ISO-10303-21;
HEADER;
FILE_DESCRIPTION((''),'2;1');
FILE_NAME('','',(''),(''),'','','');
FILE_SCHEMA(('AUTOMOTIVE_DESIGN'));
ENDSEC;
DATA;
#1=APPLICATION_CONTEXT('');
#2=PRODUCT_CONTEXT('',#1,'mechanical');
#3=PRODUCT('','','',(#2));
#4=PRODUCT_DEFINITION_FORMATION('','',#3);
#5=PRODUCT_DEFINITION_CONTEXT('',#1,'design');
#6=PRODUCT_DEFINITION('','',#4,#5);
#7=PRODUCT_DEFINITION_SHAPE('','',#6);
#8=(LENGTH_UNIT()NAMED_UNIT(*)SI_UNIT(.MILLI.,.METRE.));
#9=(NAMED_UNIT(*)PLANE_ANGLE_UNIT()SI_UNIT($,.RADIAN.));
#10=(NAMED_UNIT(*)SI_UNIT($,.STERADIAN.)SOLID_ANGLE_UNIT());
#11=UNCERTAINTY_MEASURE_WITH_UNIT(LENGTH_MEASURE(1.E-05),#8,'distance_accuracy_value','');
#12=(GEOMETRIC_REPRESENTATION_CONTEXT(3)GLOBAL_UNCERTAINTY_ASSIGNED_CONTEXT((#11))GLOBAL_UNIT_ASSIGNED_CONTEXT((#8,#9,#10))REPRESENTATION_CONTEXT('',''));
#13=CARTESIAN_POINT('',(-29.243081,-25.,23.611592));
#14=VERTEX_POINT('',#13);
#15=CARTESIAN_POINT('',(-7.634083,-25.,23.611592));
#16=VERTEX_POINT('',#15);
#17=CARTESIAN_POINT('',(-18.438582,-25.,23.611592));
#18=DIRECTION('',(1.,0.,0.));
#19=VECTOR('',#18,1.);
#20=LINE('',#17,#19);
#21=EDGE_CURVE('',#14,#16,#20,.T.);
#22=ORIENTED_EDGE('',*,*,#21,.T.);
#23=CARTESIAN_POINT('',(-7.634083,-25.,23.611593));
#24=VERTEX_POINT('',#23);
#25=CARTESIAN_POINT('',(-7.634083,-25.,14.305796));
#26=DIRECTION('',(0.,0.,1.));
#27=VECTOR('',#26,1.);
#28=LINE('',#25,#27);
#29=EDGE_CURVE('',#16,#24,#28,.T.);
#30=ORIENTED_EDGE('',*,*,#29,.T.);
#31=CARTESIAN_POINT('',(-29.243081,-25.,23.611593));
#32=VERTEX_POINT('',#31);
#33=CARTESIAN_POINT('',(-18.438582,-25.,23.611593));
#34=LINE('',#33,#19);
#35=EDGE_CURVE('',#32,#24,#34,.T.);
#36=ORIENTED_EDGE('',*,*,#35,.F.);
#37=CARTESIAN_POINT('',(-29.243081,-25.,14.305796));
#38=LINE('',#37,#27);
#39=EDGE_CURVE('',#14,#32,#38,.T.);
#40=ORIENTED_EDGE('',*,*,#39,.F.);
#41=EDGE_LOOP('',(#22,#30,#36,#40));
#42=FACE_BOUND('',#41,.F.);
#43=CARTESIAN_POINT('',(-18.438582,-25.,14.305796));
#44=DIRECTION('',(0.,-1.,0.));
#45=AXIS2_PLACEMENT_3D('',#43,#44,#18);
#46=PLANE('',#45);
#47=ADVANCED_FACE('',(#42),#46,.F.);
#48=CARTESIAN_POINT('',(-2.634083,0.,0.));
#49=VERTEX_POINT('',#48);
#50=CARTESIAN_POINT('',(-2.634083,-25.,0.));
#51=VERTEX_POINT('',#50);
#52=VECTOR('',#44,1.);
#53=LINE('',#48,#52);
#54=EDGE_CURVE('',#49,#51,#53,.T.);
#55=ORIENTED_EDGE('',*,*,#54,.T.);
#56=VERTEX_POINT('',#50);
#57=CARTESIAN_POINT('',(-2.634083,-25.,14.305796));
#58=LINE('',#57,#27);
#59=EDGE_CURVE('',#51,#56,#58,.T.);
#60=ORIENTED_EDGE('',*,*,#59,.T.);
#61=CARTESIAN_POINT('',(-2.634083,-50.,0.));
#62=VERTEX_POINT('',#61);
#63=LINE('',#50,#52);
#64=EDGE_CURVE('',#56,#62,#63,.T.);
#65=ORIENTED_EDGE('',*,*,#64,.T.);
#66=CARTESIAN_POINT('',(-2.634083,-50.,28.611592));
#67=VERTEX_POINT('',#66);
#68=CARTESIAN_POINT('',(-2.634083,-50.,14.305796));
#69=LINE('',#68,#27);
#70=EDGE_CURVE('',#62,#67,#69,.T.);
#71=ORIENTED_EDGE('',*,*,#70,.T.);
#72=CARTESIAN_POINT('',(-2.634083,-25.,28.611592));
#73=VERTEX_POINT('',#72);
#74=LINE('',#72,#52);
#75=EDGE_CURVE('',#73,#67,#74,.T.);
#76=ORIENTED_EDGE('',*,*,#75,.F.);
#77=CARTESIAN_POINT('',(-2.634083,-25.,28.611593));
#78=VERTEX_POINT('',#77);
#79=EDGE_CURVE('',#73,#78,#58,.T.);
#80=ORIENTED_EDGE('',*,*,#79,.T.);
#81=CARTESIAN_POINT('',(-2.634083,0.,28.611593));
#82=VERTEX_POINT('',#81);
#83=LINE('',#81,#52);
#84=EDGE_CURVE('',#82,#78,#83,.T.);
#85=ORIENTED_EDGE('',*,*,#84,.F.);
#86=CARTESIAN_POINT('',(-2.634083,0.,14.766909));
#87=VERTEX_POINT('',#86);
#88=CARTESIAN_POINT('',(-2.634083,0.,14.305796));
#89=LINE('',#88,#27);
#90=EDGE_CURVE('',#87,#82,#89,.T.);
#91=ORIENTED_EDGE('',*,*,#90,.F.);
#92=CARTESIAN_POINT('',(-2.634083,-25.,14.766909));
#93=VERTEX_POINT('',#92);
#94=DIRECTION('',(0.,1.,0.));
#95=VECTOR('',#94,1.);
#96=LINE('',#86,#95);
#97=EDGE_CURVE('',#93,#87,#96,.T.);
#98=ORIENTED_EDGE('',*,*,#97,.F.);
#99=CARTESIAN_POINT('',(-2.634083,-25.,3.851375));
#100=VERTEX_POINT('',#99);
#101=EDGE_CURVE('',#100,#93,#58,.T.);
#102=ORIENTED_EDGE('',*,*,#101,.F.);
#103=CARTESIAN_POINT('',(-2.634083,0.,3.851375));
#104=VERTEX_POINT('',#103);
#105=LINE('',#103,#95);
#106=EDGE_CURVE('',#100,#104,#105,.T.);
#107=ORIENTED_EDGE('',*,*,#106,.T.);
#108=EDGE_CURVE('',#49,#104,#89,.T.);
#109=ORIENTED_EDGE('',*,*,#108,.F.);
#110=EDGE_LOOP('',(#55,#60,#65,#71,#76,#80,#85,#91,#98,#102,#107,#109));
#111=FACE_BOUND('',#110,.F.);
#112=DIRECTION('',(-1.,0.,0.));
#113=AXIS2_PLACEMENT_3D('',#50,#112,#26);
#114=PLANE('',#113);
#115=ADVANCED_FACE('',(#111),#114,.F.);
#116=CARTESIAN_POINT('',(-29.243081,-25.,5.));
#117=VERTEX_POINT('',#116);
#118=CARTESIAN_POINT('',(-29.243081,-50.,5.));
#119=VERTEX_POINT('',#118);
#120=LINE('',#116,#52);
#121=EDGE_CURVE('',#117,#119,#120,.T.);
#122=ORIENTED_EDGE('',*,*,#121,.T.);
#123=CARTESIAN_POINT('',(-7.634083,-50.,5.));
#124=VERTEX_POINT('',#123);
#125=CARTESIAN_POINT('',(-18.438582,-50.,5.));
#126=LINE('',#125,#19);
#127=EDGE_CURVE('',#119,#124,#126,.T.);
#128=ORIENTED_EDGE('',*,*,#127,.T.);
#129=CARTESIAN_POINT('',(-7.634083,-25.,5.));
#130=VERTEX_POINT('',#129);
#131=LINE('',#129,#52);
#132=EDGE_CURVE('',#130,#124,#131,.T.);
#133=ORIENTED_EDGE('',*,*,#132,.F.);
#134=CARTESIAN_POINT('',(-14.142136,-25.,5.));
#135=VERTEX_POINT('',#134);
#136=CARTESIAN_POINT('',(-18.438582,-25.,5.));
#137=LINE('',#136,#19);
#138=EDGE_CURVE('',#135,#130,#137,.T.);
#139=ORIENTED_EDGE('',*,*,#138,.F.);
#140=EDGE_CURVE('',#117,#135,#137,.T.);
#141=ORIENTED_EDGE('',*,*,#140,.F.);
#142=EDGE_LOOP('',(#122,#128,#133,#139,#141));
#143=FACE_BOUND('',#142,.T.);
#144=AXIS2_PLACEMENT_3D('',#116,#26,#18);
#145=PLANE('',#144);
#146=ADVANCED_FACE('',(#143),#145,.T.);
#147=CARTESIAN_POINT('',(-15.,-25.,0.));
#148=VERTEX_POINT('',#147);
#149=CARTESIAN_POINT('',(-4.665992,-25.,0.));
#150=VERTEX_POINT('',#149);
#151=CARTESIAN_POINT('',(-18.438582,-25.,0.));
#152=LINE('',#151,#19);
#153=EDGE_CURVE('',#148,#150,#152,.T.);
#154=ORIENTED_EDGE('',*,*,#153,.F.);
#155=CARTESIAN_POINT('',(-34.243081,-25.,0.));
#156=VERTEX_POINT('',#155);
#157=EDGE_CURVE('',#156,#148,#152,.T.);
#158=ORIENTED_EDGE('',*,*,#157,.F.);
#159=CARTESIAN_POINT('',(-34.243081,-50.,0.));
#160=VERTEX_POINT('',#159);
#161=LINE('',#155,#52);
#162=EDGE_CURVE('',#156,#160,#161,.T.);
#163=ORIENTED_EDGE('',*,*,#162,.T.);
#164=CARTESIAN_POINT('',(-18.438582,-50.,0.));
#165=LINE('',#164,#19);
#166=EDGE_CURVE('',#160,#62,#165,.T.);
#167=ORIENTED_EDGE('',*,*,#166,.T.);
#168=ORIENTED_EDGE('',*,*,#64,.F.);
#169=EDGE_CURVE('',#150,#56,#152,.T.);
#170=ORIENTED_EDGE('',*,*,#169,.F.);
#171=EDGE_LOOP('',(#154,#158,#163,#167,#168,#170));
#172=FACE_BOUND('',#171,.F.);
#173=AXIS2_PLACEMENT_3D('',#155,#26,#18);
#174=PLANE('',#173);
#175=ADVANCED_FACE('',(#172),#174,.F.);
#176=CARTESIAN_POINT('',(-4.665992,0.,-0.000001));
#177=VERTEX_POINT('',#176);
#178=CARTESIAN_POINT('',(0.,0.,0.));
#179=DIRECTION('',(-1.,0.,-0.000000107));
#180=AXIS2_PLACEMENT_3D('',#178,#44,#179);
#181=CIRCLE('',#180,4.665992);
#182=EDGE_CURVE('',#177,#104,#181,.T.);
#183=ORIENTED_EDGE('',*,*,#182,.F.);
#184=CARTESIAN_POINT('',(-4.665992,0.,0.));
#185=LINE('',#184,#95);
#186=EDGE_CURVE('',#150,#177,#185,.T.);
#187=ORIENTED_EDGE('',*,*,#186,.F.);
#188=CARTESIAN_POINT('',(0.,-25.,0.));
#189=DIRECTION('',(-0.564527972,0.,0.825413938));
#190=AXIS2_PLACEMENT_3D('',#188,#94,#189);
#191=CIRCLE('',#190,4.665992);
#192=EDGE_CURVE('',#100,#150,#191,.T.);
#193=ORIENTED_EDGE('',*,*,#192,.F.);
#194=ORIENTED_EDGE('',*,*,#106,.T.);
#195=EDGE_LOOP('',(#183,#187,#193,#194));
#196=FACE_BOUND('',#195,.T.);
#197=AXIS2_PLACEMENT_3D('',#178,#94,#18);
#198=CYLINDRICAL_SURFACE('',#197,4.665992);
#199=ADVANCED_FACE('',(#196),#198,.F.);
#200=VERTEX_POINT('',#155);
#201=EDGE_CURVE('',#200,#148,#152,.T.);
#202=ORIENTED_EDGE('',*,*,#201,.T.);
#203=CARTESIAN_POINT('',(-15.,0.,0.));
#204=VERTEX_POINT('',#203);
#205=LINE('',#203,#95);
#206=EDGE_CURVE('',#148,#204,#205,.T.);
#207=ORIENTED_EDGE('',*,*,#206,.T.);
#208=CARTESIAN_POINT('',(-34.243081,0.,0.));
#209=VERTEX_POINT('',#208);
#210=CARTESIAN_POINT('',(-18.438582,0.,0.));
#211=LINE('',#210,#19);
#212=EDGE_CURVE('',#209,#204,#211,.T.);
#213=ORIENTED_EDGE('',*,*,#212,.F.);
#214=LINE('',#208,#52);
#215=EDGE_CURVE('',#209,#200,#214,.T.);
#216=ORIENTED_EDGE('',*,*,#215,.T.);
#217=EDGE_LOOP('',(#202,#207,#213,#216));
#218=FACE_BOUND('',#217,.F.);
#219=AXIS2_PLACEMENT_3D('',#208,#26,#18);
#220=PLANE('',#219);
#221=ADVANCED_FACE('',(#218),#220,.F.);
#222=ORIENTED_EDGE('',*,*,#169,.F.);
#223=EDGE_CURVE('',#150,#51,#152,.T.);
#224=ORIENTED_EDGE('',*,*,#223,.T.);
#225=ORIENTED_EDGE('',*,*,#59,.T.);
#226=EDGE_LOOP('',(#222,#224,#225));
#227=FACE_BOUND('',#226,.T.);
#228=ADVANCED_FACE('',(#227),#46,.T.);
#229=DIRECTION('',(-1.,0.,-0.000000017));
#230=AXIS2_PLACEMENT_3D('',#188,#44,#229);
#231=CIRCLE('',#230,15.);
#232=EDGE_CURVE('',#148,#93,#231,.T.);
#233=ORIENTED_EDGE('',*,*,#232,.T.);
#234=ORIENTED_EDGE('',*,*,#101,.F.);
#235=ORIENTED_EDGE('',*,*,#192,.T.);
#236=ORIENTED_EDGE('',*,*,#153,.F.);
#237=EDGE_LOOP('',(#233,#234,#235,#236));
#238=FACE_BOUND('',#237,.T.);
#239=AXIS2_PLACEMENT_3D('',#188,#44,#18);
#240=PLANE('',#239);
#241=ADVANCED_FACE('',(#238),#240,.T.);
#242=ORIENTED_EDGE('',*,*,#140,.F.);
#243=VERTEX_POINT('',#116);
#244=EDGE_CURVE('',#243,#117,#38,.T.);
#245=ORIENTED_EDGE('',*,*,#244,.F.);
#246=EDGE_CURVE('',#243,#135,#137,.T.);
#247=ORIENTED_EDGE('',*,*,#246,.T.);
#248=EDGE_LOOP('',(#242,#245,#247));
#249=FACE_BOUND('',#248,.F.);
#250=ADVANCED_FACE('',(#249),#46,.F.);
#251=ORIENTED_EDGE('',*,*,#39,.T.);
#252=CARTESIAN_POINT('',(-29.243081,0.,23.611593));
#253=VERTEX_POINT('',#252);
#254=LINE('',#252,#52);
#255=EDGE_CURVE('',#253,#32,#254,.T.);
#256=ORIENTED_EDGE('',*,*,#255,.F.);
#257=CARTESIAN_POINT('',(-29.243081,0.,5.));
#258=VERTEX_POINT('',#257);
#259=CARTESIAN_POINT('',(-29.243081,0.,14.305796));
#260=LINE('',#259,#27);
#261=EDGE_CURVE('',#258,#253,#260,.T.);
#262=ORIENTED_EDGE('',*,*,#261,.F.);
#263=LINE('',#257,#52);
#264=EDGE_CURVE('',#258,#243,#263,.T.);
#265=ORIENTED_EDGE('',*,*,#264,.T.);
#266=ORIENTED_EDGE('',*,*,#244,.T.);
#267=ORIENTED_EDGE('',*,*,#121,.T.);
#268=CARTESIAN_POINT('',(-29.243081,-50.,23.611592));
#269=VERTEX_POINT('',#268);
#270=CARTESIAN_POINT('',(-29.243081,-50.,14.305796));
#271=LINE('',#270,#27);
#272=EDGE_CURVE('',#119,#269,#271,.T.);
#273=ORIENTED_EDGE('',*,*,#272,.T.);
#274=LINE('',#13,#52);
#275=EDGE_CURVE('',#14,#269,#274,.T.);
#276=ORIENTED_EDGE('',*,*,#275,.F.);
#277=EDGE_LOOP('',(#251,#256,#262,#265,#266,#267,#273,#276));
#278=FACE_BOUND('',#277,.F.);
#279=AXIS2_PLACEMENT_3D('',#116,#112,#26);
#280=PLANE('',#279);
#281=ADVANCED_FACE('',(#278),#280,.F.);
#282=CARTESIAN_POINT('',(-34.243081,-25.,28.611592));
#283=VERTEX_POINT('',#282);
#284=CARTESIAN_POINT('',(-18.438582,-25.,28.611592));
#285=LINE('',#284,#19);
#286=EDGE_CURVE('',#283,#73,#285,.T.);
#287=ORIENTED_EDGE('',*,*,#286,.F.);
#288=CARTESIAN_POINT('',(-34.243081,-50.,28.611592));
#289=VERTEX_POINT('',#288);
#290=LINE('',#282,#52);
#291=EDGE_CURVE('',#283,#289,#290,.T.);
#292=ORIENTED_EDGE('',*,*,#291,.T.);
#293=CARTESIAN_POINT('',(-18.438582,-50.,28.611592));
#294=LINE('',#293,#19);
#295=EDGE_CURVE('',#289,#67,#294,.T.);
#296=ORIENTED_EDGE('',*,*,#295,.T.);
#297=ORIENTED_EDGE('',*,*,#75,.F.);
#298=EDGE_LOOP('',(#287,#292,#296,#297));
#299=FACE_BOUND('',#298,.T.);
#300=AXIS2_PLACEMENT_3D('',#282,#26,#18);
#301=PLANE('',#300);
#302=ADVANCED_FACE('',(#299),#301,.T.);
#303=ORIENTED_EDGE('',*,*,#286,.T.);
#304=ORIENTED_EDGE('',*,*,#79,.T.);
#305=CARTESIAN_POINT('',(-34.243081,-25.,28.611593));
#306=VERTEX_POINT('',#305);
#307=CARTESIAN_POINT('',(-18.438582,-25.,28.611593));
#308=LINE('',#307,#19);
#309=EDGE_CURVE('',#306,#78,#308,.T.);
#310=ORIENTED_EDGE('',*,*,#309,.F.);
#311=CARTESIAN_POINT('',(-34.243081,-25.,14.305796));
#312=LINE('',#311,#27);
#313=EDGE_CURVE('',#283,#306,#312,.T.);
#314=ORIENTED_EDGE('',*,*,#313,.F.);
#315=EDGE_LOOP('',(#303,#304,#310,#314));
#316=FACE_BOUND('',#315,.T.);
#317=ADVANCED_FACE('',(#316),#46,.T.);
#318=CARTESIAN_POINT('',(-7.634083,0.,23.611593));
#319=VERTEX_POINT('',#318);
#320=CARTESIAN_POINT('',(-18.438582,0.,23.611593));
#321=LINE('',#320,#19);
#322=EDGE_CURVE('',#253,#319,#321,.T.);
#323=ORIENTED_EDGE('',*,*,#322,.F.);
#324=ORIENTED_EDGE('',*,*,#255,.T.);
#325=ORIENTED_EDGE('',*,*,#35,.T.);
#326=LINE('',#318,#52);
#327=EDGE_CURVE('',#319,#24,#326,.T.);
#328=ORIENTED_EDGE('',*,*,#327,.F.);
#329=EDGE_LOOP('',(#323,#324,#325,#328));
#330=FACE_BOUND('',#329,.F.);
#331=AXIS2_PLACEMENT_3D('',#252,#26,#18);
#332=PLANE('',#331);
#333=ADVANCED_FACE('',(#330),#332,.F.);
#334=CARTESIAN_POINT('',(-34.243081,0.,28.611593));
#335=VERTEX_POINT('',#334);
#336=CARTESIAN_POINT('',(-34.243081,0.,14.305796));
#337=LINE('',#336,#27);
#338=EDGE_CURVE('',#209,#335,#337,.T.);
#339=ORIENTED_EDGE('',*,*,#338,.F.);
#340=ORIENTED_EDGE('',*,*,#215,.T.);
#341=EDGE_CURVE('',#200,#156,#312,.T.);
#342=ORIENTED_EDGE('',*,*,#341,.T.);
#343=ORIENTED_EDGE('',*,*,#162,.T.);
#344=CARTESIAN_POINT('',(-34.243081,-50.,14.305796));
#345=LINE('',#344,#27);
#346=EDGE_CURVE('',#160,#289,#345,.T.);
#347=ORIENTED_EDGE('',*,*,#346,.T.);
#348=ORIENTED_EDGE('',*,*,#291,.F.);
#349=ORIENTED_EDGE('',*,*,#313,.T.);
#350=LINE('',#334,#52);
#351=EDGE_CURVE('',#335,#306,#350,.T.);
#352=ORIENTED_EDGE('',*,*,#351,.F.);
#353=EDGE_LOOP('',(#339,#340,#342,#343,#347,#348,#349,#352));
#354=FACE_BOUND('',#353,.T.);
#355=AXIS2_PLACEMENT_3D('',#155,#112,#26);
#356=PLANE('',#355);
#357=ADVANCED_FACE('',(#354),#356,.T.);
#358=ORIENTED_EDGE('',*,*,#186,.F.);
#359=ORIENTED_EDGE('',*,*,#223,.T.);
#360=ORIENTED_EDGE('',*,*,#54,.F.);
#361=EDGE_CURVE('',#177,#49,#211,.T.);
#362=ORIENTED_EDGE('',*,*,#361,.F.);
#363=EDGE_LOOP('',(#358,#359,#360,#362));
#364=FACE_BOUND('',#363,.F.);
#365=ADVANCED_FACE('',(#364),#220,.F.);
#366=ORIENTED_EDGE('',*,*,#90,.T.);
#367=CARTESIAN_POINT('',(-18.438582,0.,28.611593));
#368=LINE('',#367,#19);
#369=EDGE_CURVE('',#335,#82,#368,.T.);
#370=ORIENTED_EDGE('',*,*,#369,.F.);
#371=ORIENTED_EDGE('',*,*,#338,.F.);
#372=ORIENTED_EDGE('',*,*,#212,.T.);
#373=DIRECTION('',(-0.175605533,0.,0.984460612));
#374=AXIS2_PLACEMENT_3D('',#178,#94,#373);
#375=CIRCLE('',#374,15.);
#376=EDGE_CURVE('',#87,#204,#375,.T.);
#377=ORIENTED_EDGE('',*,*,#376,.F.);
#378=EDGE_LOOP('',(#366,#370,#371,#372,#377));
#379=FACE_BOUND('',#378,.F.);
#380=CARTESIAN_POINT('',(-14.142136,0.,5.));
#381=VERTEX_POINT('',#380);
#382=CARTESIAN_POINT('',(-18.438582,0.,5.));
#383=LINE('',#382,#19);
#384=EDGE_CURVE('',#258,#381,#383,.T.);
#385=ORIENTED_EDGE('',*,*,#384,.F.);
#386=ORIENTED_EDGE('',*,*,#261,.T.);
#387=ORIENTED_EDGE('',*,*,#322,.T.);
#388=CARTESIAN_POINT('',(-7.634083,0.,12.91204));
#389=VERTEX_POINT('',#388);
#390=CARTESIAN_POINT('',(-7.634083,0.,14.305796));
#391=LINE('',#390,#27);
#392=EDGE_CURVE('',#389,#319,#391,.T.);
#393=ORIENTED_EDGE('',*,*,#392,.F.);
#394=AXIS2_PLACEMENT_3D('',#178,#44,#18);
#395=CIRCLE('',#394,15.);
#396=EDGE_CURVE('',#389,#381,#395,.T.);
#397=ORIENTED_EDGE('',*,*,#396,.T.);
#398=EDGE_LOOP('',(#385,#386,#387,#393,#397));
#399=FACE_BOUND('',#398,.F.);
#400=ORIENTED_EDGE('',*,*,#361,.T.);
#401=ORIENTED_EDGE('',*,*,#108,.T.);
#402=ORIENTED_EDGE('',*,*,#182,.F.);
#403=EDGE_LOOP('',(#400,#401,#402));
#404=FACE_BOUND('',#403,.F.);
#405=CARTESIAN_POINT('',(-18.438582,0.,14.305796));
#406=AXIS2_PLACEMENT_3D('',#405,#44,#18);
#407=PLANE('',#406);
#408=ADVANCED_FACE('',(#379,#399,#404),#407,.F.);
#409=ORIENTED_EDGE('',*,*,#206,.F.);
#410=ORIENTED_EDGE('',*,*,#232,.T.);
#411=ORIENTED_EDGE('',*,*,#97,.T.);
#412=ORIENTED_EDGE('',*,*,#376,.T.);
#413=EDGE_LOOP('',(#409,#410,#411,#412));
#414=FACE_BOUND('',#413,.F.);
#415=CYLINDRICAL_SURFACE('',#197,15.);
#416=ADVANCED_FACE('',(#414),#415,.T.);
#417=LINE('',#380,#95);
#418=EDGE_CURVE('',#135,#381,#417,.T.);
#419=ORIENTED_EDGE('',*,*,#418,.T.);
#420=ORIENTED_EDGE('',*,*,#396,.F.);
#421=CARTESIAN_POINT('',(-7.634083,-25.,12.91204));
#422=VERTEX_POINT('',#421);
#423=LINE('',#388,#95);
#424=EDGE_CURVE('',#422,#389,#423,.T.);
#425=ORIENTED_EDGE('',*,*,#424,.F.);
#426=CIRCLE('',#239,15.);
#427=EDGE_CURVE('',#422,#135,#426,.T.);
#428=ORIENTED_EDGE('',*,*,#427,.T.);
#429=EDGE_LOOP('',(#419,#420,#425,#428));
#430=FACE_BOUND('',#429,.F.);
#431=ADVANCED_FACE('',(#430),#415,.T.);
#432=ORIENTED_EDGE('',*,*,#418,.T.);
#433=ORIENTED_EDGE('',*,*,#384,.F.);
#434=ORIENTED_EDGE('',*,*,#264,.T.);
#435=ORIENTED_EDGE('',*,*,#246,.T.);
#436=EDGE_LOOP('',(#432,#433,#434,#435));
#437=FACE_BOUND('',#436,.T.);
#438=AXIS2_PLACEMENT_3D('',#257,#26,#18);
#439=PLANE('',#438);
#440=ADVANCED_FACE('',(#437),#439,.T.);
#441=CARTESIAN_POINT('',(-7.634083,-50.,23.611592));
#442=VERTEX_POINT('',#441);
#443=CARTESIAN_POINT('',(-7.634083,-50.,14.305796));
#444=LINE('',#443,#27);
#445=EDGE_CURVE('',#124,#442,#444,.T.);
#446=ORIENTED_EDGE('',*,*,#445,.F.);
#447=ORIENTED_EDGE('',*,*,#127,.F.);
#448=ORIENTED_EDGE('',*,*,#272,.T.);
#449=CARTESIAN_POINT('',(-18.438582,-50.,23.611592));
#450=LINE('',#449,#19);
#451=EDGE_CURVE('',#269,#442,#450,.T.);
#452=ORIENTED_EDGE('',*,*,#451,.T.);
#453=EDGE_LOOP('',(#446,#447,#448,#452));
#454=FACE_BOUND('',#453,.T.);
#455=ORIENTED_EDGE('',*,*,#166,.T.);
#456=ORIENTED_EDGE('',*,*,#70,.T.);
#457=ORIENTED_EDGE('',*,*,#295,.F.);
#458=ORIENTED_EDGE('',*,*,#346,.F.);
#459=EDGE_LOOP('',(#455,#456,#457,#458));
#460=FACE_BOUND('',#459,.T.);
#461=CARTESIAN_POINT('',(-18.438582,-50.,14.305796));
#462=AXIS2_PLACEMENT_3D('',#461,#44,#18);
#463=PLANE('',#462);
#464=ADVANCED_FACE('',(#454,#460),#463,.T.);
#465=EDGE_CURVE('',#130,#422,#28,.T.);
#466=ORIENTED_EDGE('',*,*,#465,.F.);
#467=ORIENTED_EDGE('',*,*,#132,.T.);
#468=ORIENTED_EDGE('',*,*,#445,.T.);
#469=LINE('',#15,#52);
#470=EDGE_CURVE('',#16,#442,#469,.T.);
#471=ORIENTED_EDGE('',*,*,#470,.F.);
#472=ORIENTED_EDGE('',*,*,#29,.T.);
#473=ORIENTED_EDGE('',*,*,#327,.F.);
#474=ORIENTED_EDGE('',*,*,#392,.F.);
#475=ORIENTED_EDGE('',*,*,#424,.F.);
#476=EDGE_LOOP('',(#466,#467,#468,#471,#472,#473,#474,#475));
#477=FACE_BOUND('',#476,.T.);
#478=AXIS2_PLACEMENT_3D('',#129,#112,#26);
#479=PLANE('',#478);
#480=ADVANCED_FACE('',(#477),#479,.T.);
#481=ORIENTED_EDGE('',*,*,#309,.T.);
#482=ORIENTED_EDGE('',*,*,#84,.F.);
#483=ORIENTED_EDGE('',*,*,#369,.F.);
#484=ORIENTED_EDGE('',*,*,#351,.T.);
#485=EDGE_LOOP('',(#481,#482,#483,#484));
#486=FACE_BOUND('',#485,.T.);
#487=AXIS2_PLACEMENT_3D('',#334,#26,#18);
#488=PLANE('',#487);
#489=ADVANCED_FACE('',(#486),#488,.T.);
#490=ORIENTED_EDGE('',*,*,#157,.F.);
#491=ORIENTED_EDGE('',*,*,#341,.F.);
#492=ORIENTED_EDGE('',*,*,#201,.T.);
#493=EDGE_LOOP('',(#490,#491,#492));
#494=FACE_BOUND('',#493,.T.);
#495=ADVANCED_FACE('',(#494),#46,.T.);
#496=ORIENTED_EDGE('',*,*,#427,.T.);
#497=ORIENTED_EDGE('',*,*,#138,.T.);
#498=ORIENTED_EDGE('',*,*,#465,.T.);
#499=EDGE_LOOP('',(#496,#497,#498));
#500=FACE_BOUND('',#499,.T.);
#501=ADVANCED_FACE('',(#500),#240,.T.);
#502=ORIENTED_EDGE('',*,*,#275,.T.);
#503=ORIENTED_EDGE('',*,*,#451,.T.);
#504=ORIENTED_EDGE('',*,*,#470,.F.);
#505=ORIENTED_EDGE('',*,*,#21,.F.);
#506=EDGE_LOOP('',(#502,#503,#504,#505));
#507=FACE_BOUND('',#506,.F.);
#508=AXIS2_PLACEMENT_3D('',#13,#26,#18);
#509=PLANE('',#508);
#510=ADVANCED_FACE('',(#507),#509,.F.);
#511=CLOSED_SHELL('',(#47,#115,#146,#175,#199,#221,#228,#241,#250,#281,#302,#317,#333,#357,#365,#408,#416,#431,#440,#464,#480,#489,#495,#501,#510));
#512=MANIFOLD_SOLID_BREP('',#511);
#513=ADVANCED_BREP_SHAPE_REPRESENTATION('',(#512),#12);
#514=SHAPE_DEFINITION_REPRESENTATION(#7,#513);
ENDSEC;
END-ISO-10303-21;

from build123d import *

# Parameters (mm, degrees)
F1_W        = 31.608998
F1_H        = 28.611593
F1_W_2      = 21.608998
F1_H_2      = 18.611593
F2_DEPTH    = 25
F2_FACE_W   = 31.608998
F2_FACE_H   = 28.611592
F2_FACE_W_2 = 21.608998
F2_FACE_H_2 = 18.611592
F0_R        = 15
F0_R_2      = 4.665992
F3_DEPTH    = 25


with BuildPart() as f2:
    # F1 (on Front) → F2 (new body)
    with BuildSketch(Plane.XZ):
        with Locations((-18.438582, 14.305796)):
            Rectangle(F1_W, F1_H)
        with Locations((-18.438582, 14.305796)):
            Rectangle(F1_W_2, F1_H_2, mode=Mode.SUBTRACT)
    extrude(amount=F2_DEPTH)

    # F2_face (on face) + F0 (on Front) → F3 (join)
    with BuildSketch(Plane(origin=(-18.438582, -25, 14.305796), x_dir=(1, 0, 0), z_dir=(0, -1, 0))):
        Rectangle(F2_FACE_W, F2_FACE_H)
        Rectangle(F2_FACE_W_2, F2_FACE_H_2, mode=Mode.SUBTRACT)
    with BuildSketch(Plane.XZ):
        Circle(F0_R)
        Circle(F0_R_2, mode=Mode.SUBTRACT)
    extrude(amount=F3_DEPTH)


solid = f2.part
